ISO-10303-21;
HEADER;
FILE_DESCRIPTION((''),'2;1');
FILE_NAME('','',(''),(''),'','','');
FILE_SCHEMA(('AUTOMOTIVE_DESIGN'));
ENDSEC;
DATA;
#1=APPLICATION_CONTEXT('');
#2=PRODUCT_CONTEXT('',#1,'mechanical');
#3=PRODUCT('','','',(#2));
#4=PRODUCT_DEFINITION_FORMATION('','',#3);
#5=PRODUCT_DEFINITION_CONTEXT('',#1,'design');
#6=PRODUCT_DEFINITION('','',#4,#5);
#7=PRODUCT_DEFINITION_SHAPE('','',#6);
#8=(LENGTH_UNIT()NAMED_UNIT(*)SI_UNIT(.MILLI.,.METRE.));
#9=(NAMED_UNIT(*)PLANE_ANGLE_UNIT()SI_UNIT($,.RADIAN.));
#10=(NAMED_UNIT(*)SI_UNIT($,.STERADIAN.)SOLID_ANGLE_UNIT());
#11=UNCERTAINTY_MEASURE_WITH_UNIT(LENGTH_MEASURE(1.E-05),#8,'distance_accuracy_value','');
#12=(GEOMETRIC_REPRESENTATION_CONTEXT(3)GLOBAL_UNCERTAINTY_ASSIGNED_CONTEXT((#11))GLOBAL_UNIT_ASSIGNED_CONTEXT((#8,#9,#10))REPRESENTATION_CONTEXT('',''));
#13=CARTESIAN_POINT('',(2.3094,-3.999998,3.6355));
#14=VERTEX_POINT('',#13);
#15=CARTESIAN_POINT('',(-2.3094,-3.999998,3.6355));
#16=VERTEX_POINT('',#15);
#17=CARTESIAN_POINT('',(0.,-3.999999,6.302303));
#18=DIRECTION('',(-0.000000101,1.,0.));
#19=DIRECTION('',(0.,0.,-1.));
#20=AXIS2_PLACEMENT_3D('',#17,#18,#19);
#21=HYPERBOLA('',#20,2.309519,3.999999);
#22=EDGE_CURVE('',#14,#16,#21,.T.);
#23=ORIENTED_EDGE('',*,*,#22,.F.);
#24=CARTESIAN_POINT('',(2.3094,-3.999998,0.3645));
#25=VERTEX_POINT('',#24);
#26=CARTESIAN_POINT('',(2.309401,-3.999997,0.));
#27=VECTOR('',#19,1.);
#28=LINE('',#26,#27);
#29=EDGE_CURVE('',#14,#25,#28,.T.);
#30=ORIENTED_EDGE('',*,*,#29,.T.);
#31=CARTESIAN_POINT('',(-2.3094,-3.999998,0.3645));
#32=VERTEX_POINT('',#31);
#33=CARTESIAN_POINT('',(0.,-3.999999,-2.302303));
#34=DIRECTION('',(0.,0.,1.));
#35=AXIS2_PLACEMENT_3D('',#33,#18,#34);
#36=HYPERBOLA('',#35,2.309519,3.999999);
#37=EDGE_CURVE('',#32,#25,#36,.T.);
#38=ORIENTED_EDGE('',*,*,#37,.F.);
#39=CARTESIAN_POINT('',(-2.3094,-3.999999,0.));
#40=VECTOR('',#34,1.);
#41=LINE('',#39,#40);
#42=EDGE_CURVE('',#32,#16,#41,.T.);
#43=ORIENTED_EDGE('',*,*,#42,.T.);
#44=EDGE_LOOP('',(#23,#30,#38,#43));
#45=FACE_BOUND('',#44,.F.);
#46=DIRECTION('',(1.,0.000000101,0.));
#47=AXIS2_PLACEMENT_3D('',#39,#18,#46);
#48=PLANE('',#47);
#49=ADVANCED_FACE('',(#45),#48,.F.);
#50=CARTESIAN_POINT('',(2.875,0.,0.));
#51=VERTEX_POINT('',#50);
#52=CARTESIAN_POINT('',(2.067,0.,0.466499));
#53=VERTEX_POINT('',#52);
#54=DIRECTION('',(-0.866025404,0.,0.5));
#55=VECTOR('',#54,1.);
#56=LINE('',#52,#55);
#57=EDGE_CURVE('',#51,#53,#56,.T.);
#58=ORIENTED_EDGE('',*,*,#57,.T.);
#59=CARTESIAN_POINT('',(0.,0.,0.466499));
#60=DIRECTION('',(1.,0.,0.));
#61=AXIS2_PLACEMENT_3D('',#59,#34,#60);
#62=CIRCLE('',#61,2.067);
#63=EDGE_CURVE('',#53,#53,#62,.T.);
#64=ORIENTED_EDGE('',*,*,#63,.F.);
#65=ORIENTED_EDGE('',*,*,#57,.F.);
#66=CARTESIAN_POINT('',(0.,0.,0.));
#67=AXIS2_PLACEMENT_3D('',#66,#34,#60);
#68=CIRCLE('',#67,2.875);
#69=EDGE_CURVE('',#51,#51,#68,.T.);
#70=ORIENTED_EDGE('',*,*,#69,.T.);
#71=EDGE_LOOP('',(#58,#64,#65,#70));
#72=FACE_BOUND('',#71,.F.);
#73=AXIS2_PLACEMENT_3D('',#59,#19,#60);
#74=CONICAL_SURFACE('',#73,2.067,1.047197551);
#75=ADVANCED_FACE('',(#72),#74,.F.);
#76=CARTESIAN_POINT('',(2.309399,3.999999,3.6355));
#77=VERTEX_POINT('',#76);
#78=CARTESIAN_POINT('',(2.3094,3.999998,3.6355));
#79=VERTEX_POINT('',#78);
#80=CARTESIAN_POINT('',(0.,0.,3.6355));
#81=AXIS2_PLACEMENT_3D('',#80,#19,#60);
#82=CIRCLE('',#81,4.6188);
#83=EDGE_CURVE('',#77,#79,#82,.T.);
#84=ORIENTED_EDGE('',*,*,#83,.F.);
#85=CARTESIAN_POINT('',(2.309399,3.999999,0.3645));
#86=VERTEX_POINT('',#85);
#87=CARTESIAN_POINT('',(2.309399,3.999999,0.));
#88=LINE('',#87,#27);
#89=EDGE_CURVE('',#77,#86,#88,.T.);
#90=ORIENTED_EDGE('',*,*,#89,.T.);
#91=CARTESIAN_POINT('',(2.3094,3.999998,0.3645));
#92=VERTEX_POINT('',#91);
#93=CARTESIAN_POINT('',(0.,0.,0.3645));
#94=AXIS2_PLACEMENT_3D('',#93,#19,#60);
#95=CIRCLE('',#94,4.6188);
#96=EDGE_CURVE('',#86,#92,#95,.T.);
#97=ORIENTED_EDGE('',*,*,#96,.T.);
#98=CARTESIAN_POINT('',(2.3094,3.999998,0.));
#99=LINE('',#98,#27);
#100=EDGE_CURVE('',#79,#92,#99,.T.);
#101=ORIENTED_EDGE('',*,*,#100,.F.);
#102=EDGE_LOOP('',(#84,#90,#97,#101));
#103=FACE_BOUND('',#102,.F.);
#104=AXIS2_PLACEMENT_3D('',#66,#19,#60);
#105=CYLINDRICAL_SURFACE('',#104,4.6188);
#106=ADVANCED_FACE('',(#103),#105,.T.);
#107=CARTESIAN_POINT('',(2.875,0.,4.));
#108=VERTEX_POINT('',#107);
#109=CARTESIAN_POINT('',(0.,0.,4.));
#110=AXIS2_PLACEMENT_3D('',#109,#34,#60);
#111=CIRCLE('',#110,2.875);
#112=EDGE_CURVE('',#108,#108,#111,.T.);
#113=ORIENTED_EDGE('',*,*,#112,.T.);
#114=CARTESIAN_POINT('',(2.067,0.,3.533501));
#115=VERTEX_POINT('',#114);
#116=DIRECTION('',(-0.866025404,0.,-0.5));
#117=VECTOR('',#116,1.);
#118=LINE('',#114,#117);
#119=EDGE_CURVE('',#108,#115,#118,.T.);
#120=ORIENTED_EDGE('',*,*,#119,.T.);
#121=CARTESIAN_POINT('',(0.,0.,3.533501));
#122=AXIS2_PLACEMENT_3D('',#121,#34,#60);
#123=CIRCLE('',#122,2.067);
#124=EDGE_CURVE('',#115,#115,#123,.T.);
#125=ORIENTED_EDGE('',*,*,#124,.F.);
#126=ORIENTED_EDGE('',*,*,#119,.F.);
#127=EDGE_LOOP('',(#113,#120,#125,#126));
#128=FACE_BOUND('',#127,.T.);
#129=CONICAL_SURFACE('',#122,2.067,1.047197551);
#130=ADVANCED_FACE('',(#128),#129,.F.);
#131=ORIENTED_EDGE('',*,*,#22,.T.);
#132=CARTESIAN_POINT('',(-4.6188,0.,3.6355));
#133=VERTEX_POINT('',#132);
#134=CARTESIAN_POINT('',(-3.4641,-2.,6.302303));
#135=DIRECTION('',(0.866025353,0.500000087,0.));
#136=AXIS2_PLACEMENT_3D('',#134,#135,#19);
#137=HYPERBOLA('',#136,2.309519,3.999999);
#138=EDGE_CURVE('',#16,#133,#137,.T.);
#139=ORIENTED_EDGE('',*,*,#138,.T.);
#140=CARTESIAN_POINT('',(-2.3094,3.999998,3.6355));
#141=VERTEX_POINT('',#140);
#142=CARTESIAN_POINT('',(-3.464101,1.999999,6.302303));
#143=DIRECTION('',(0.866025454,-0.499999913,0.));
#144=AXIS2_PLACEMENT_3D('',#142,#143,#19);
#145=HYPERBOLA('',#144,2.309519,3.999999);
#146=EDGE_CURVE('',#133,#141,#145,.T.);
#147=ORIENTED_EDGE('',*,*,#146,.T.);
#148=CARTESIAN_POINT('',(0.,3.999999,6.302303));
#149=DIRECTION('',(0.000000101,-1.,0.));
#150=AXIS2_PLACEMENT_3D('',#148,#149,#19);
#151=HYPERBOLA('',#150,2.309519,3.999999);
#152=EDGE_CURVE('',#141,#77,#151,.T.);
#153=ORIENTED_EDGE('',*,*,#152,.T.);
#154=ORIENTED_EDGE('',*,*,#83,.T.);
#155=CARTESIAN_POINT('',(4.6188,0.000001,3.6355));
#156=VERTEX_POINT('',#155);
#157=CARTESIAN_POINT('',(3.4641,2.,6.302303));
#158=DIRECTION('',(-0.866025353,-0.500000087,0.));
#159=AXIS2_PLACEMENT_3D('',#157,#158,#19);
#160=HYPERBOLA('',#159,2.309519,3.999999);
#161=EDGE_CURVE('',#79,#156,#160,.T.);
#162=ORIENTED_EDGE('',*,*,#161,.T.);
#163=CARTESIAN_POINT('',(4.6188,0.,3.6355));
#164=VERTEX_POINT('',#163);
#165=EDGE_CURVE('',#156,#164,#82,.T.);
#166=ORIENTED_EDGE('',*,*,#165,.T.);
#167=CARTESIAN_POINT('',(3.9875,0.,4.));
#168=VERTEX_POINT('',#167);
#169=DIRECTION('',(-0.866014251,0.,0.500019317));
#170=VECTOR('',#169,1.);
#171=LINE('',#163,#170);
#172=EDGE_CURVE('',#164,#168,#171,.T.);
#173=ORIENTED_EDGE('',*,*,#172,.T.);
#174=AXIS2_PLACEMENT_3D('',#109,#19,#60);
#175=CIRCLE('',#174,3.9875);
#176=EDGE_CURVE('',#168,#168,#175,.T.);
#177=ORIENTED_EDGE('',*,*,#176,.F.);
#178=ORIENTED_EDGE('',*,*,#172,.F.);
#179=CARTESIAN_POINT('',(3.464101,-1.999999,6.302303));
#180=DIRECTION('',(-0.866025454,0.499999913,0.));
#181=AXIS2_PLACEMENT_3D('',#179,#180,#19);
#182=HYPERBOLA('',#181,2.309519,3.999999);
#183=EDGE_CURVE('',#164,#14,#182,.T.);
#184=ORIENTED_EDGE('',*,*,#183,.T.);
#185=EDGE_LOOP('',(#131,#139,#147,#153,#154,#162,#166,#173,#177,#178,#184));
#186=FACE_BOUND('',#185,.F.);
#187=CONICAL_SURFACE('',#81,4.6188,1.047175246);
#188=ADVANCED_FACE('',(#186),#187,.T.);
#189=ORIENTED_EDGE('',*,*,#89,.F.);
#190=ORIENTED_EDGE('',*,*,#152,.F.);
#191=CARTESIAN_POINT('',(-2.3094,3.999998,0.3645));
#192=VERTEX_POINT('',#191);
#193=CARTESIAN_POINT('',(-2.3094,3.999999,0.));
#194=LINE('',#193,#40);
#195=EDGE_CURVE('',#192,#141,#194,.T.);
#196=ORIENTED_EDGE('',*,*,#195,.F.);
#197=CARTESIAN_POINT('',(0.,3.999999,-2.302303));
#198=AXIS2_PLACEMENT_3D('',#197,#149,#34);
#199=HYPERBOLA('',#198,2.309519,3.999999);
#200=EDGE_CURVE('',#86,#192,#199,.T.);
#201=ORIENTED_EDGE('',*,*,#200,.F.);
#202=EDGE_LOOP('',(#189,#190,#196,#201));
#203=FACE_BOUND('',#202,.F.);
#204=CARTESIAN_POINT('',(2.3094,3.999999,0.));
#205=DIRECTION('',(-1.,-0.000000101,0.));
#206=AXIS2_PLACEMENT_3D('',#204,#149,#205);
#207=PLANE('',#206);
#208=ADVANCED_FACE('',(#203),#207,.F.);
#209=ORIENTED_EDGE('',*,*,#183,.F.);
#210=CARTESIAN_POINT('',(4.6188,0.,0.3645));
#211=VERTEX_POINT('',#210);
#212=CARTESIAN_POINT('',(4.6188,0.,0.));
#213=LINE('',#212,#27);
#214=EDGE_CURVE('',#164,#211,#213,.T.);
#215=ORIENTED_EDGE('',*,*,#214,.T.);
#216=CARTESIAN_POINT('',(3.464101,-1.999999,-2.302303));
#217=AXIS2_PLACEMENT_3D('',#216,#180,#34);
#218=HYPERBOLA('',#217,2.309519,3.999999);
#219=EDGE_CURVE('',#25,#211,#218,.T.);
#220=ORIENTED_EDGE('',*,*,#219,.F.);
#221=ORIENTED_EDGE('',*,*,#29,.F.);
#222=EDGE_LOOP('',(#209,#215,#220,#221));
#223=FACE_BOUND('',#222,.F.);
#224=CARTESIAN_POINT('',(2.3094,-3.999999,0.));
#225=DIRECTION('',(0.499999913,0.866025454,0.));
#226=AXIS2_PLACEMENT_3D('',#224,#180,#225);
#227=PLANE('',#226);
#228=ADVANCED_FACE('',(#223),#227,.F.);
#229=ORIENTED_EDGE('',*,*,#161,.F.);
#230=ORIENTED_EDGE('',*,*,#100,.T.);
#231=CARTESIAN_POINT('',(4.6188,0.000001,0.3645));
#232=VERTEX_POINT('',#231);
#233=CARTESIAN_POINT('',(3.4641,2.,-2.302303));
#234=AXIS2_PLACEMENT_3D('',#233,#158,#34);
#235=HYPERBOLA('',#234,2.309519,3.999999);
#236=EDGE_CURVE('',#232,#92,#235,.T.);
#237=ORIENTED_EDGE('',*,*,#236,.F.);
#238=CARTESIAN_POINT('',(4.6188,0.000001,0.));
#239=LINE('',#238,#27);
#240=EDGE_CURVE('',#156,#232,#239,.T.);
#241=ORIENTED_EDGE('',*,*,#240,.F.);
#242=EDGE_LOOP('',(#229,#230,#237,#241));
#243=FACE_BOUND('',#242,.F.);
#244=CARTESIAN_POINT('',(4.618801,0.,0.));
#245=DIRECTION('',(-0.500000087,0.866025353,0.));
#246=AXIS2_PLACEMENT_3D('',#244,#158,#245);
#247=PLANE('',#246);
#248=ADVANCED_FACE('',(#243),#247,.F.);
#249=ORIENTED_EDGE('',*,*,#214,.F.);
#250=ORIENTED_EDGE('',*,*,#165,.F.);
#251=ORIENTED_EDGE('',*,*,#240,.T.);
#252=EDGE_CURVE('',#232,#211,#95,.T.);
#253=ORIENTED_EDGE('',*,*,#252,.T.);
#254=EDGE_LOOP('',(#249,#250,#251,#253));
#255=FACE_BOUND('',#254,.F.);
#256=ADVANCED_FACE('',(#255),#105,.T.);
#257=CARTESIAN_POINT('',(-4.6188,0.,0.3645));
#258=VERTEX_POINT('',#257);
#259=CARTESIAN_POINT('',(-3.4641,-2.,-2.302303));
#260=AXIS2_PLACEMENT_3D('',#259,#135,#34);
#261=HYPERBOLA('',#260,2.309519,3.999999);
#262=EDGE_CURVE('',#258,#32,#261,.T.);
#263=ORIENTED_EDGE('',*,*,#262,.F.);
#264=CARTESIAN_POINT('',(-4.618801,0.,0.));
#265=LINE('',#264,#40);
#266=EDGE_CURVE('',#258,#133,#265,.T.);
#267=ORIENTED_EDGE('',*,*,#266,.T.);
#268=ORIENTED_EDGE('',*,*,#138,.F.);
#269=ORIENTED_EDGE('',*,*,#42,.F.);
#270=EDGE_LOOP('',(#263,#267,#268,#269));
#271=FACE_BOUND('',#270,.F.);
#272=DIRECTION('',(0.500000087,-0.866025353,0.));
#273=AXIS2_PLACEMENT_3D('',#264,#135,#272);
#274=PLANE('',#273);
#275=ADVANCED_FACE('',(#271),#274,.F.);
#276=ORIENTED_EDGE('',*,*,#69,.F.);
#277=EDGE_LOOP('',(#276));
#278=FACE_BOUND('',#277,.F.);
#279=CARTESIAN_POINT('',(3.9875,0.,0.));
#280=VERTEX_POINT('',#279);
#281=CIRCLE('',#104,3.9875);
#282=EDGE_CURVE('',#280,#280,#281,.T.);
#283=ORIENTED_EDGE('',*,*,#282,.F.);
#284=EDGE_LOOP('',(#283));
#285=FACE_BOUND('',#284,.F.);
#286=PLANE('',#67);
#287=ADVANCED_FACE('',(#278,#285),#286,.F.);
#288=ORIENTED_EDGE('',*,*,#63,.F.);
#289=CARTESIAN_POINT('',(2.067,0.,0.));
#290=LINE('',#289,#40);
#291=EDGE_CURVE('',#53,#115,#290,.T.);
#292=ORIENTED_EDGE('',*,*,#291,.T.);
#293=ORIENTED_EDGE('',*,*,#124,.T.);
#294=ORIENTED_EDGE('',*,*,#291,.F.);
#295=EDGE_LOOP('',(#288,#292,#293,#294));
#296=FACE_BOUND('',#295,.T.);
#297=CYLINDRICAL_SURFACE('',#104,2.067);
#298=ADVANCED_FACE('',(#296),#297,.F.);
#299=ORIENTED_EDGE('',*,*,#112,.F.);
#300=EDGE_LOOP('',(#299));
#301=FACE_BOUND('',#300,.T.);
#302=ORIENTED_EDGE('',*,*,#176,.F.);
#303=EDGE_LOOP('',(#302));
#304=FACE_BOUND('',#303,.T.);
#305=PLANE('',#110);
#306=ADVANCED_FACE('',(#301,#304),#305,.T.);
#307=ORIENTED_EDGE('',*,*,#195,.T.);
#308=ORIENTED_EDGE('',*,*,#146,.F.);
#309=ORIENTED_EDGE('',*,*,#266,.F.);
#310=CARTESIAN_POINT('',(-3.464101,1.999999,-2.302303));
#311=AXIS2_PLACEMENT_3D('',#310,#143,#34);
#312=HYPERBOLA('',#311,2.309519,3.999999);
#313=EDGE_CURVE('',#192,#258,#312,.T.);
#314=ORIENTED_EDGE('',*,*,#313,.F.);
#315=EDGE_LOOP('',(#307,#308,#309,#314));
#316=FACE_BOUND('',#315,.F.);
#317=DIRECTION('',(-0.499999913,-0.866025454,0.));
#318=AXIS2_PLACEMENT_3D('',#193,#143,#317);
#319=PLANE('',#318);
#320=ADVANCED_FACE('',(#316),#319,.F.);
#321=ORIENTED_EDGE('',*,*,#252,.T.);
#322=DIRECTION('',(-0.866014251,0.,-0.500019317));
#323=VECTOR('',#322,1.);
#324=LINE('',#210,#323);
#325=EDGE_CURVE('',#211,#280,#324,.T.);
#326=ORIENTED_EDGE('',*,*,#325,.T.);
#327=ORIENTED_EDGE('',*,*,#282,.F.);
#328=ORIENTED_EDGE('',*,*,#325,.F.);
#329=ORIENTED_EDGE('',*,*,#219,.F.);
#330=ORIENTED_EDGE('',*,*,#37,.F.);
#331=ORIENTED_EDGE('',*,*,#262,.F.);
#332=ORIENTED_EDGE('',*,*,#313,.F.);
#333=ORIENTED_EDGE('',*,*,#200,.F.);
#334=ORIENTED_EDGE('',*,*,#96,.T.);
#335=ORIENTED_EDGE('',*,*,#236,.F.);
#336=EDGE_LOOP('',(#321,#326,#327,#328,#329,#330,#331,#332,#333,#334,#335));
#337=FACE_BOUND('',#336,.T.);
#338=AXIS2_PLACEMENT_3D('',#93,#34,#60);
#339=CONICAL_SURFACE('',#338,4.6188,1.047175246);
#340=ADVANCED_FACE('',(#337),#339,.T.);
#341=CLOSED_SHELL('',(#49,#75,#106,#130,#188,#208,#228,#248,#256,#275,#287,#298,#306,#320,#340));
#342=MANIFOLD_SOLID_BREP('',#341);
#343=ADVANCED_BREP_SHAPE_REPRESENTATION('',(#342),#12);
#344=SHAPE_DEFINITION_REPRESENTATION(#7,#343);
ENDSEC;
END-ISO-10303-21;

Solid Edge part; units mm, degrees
sketch "Sketch1" plane through (0, 0, 0) normal (0, 0, 1) x (1, 0, 0)
  circle A0 centre (0, 0) radius 2.067
  circle A1 centre (0, 0) radius 4.6188
  dimension "D1" = 4
  dimension "D2" = 4.134
extrude "Protrusion1" add sketch "Sketch1" along normal blind 4
sketch "Sketch2" plane through (0, 0, 0) normal (0, 0, 1) x (1, 0, 0)
  line L0 (4.6188, 0) -> (2.3094, 4)
  arc A0 (2.3094, 4) -> (4.6188, 0) centre (0, 0) cw
  dimension "D1" = 4
extrude "ExtrudedCutout_1" cut sketch "Sketch2" along normal blind 4
pattern_circular "Pattern1" count 6 over 360 about axis through (0, 0, 0) along (0, 0, -1) of "ExtrudedCutout_1"
cosmetic_thread "Thread_1" size "M5" thread depth 4
sketch "Sketch3" plane through (0, 0, 0) normal (0, -1, 0) x (1, 0, 0)
  line L0 (4.6188, 0.3645) -> (3.9875, 0)
  line L1 (3.9875, 0) -> (4.6188, 0)
  line L2 (4.6188, 0) -> (4.6188, 0.3645)
  line L3 (3.9875, 4) -> (4.6188, 4)
  line L4 (4.6188, 4) -> (4.6188, 3.6355)
  line L5 (4.6188, 3.6355) -> (3.9875, 4)
  dimension "D1" = 4
  dimension "D2" = 3.9875
  dimension "D3" = 4.6188
revolve "RevolvedCutout_1" cut sketch "Sketch3" angle 360 about axis through (0, 0, 8.4) along (0, 0, -1)
chamfer "Chamfer_1" distance 0.808 angle 30 1 edges at (-2.067, 0, 0) measured on face at (-2.7381, -2.5786, 0)
chamfer "Chamfer_2" distance 0.808 angle 30 1 edges at (-2.067, 0, 4) measured on face at (-2.7381, -2.5786, 4)
properties material "Stahl"
